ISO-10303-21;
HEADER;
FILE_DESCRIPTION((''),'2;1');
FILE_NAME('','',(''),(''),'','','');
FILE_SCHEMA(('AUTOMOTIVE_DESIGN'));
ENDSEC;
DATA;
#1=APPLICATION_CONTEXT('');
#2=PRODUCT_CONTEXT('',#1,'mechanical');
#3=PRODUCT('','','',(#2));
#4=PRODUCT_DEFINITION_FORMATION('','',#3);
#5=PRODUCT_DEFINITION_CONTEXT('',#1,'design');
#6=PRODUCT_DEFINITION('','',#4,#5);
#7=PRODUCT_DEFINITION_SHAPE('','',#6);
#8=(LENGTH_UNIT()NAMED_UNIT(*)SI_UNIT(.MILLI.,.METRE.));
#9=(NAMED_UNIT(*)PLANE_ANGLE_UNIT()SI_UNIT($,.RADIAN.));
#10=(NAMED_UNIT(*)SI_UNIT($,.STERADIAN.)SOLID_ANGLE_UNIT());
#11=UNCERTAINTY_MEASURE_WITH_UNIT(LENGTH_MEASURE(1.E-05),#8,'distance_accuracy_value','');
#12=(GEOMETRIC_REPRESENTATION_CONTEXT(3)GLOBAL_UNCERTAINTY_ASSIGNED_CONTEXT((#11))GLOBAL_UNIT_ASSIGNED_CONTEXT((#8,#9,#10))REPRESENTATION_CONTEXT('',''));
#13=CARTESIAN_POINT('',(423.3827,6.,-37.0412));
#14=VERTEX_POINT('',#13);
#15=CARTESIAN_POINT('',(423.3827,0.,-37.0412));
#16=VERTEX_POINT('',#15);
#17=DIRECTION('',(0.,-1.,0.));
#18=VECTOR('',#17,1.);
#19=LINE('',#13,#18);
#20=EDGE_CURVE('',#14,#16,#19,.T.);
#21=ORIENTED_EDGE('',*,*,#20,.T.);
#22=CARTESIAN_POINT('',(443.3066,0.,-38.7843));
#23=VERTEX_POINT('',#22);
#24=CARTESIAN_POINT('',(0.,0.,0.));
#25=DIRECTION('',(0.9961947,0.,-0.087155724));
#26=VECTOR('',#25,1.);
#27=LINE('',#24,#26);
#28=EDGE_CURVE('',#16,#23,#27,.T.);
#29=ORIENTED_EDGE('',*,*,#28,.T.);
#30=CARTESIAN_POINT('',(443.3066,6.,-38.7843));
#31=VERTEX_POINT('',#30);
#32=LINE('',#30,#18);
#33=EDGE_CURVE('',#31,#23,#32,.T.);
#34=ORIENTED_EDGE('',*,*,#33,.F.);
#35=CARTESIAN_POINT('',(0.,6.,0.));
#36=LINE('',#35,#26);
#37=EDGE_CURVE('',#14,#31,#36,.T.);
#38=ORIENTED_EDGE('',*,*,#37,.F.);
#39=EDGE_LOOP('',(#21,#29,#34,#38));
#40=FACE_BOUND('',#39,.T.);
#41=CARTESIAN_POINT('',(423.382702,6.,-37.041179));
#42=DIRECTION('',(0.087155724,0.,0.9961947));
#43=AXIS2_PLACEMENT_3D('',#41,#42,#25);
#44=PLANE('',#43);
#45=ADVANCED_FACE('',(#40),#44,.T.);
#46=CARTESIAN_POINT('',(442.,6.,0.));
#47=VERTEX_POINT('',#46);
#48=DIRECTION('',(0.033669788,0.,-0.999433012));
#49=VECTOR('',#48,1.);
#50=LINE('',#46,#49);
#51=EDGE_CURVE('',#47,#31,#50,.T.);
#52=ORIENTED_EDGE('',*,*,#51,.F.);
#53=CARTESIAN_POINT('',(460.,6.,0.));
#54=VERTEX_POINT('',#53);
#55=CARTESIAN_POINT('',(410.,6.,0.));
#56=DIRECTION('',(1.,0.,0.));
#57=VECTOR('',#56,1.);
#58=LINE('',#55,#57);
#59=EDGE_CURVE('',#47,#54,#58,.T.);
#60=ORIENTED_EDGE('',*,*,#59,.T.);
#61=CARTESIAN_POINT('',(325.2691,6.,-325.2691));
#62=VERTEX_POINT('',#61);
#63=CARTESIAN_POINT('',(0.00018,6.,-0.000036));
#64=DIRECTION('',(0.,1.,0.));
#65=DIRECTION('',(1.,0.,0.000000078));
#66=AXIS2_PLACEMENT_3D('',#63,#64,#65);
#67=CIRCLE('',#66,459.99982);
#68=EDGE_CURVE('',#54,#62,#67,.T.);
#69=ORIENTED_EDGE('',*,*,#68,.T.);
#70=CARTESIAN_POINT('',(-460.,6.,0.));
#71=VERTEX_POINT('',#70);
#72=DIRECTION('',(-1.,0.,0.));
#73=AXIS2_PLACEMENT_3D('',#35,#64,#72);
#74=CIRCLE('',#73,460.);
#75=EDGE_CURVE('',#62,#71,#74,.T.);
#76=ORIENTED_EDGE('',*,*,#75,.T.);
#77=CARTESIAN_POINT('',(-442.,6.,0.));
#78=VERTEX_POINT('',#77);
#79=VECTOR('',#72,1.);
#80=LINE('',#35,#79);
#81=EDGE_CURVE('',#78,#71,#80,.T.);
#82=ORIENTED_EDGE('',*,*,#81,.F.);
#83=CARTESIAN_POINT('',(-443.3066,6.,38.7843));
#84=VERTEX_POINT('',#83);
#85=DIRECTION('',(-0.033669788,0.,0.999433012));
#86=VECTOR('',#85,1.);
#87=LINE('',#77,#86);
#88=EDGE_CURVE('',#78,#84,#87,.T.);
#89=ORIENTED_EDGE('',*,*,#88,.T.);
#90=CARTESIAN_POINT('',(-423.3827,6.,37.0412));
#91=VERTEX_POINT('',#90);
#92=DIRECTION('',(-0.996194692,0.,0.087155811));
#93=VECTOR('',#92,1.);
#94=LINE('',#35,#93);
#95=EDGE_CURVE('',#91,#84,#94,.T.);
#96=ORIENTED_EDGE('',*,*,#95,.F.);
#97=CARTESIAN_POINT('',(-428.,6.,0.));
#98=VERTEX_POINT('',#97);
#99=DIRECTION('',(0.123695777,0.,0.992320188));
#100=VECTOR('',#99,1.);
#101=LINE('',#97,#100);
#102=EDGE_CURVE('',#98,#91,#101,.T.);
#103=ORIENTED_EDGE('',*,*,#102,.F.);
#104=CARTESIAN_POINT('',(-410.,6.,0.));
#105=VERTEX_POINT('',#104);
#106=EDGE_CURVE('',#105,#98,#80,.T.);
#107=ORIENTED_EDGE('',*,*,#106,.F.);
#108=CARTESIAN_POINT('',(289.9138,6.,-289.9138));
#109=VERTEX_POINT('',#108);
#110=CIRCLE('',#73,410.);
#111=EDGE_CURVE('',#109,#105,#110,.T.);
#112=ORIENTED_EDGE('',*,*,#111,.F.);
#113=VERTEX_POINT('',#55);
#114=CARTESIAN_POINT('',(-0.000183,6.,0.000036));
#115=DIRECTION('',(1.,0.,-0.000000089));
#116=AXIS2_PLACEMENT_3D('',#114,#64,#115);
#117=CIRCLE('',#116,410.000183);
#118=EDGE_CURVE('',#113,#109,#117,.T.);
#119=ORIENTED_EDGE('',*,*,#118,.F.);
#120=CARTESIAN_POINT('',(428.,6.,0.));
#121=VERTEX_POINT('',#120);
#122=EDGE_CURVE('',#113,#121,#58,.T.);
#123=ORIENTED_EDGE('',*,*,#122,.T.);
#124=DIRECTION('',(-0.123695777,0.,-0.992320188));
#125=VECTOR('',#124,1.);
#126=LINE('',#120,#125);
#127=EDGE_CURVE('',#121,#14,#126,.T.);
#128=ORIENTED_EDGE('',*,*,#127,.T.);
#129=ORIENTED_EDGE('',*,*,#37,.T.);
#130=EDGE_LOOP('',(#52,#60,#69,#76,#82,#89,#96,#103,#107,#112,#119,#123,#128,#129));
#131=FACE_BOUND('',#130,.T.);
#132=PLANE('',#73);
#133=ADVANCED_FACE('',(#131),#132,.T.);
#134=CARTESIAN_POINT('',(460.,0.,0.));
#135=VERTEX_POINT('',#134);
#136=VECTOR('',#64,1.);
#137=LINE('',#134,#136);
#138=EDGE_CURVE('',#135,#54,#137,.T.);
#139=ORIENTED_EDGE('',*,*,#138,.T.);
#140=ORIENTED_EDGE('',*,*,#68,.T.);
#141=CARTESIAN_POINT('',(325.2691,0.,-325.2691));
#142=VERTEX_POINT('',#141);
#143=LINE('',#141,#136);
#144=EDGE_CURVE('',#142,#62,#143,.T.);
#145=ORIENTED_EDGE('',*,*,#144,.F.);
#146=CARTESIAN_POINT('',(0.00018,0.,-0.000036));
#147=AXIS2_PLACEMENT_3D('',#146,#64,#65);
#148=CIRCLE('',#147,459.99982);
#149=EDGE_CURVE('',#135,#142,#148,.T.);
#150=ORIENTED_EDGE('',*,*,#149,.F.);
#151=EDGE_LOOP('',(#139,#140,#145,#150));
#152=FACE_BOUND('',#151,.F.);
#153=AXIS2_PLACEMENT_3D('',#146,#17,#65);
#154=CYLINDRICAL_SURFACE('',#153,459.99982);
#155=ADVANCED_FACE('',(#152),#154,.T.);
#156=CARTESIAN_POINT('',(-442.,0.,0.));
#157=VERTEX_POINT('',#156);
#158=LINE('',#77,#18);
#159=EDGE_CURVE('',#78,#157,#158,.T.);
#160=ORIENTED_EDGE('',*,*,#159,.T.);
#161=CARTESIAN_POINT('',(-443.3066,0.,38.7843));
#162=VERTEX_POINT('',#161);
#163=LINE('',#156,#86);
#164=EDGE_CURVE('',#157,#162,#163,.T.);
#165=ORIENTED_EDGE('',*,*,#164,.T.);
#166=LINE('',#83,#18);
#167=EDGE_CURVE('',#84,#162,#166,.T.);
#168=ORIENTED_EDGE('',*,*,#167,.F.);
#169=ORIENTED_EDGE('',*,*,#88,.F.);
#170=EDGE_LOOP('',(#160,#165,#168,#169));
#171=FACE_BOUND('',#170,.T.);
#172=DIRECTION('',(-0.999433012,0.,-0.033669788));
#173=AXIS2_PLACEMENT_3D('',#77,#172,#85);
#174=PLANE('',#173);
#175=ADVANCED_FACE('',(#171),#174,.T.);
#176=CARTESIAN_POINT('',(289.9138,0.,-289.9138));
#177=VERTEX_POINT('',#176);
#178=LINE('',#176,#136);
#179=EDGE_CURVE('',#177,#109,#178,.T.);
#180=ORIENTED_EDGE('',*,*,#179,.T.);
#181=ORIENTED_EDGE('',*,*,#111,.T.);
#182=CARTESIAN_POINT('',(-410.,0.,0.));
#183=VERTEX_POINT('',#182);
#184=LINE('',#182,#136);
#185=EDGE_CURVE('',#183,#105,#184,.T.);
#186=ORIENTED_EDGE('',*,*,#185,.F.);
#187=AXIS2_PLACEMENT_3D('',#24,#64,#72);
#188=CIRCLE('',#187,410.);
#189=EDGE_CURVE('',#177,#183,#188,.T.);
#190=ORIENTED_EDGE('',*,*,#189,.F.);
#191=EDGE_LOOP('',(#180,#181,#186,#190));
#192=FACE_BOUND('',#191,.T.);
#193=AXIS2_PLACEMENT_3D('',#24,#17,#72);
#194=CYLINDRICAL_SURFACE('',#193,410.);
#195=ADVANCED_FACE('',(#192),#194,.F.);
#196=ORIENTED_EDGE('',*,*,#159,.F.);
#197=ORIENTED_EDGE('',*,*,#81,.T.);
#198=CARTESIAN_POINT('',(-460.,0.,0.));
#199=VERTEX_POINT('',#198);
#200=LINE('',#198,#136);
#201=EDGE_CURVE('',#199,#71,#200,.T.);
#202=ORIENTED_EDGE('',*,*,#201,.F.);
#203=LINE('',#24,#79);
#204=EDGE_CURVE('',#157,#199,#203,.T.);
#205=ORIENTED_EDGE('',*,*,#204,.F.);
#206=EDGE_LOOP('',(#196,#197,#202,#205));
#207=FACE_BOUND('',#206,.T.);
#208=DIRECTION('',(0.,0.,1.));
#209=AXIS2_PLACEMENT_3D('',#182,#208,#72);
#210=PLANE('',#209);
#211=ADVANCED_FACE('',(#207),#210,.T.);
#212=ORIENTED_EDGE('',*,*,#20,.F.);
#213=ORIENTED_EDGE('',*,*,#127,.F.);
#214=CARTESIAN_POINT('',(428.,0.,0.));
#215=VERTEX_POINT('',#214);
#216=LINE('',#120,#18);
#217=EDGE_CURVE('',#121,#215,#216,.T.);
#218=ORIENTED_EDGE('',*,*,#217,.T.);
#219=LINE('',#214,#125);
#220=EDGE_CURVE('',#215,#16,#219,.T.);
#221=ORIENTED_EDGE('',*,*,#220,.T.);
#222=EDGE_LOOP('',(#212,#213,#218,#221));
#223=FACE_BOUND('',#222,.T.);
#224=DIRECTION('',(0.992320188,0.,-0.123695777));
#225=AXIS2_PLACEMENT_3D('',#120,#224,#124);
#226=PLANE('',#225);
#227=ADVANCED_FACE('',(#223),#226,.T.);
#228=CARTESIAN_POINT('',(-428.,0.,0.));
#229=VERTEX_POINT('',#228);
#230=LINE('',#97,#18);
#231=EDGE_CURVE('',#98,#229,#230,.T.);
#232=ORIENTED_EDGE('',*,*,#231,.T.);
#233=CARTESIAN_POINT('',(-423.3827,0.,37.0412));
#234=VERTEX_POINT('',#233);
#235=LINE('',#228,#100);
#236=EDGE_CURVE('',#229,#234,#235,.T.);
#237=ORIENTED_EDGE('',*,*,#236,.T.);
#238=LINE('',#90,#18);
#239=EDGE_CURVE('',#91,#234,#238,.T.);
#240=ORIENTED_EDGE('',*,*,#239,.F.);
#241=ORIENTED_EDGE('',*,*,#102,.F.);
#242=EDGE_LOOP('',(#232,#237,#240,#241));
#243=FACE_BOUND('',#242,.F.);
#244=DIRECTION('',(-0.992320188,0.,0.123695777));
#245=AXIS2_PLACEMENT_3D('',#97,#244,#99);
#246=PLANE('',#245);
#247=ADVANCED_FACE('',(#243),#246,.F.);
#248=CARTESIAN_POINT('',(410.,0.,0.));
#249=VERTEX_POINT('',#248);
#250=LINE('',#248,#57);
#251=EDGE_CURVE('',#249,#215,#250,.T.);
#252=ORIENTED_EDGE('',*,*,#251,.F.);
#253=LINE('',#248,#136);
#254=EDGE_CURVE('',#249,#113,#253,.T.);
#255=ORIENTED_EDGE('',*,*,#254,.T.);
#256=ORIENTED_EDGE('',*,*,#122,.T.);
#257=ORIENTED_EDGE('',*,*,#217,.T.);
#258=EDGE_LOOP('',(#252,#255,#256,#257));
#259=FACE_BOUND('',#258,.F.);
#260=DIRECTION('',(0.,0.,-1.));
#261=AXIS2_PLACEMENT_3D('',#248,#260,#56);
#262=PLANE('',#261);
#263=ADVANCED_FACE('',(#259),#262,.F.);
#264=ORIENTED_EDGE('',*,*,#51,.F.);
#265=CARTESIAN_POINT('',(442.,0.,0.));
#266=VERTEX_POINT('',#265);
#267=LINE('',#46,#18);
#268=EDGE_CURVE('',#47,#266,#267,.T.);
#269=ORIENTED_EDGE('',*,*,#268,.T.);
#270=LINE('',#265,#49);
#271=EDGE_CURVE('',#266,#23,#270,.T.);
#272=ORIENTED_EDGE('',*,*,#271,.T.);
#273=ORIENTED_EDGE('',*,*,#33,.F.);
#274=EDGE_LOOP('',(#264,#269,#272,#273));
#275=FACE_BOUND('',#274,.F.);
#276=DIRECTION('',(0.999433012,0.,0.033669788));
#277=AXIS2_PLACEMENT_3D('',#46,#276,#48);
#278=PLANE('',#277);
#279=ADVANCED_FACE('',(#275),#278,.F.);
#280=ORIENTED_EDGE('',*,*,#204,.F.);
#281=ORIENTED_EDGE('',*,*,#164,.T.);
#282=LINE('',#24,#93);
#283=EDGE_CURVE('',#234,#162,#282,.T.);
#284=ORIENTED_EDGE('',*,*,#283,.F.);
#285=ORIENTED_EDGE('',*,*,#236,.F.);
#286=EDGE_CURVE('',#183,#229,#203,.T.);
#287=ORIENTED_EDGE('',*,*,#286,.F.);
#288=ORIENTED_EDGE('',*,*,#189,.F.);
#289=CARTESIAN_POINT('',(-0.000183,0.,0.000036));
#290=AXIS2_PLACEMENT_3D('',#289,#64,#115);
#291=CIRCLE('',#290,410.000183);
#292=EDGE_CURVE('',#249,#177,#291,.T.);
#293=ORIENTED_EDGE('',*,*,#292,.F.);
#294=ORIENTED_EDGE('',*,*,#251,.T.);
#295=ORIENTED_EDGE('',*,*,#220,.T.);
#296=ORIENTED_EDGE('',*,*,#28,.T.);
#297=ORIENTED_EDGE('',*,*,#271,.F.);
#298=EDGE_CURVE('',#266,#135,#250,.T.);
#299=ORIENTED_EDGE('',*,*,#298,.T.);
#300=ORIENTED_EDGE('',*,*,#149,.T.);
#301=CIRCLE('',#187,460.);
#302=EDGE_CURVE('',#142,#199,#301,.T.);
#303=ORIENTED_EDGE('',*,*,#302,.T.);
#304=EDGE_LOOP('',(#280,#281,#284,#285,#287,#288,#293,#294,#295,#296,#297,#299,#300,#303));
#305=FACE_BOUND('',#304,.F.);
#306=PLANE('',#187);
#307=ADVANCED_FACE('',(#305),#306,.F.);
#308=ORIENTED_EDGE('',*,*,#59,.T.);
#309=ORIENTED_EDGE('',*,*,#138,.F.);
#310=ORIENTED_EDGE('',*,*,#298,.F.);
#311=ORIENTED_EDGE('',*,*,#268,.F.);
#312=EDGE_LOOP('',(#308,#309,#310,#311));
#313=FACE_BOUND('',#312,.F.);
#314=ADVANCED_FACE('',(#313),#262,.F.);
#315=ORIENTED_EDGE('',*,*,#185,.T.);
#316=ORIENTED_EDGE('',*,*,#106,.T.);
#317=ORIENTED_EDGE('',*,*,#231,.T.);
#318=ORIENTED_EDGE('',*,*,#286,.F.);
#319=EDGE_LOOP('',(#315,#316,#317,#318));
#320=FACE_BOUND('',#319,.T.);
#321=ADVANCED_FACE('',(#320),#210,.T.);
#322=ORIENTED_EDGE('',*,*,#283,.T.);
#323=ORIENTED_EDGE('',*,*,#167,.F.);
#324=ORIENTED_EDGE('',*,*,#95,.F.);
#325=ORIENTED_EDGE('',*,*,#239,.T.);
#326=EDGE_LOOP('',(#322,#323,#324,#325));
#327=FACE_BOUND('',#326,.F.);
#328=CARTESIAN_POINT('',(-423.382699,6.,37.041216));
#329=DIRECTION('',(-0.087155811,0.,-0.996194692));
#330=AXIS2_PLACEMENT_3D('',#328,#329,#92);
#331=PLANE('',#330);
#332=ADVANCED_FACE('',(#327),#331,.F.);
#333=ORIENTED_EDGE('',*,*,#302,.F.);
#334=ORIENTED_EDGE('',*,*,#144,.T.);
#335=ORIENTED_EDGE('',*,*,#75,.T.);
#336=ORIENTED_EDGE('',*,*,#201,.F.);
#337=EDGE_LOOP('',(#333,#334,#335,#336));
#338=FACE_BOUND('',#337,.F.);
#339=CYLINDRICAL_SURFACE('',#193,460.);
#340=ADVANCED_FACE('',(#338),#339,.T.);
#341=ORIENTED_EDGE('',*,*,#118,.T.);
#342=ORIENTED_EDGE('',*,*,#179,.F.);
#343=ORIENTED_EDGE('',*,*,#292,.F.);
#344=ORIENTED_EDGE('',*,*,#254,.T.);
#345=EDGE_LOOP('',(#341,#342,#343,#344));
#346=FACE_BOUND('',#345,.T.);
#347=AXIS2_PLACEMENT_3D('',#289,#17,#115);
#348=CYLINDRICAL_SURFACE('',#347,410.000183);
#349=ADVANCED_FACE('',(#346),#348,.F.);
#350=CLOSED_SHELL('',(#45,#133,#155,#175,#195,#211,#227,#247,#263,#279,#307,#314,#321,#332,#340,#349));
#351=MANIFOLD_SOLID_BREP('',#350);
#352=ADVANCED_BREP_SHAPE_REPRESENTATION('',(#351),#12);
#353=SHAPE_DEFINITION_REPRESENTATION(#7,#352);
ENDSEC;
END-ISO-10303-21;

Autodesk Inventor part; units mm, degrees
ref_plane "YZ Plane" through (0, 0, 0) normal (1, 0, 0) x (0, 1, 0)
ref_plane "XZ Plane" through (0, 0, 0) normal (0, 1, 0) x (-1, 0, 0)
ref_plane "XY Plane" through (0, 0, 0) normal (0, 0, 1) x (1, 0, 0)
sketch "Esboço1" plane through (0, 0, 0) normal (0, 1, 0) x (-1, 0, 0)
  arc A0 (-410, 0) -> (-289.9138, -289.9138) centre (0, 0) ccw
  arc A1 (-460, 0) -> (-325.2691, -325.2691) centre (0, 0) ccw
  circle A2 centre (0, 0) radius 460
  circle A3 centre (0, 0) radius 410
  line L0 (0, 0) -> (576.9105, 0)
  line L1 (0, 0) -> (-1224.3013, 0) construction
  line L2 (-410, 0) -> (-460, 0)
  point P0 (-460, 0)
  point P1 (-325.2691, -325.2691)
  point P2 (-289.9138, -289.9138)
  point P3 (-325.2691, -325.2691)
  point P4 (460, 0)
  point P5 (410, 0)
  point P6 (-289.9138, -289.9138)
  dimension "d27" = 820
  dimension "d28" = 920
  dimension "d87" = 180
extrude "Extrusão1" add sketch "Esboço1" along normal blind 6 contours A0 A3 L0 A2 A1 L2
sketch "Esboço6" plane through (0, 6, 0) normal (0, 1, 0) x (1, 0, 0)
  arc A0 (460, 0) -> (-460, 0) centre (0, 0) ccw projected
  circle A1 centre (0, 0) radius 460
  arc A2 (410, 0) -> (-410, 0) centre (0, 0) ccw projected
  circle A3 centre (0, 0) radius 410
  line L0 (0, 0) -> (743.005, 65.0045)
  line L1 (410, 0) -> (460, 0) projected
  line L2 (410, 0) -> (428, 0)
  line L3 (428, 0) -> (442, 0)
  line L4 (408.4398, 35.7339) -> (423.3827, 37.0412)
  line L5 (423.3827, 37.0412) -> (443.3066, 38.7843)
  line L6 (428, 0) -> (423.3827, 37.0412)
  line L7 (442, 0) -> (443.3066, 38.7843)
  point P0 (325.2691, 325.2691)
  point P1 (289.9138, 289.9138)
  dimension "d110" = -5
  dimension "d111" = 18
  dimension "d112" = 14
  dimension "d113" = 15
  dimension "d114" = 20
extrude "Extrusão6" cut sketch "Esboço6" against normal up to surface (6 mm away) contours L1 L6 L0 L7
sketch "Esboço8" plane through (0, 6, 0) normal (0, 1, 0) x (1, 0, 0)
  line L0 (0, 0) -> (-648.1086, -56.7022)
  line L1 (-460, 0) -> (-410, 0) projected
  arc A0 (460, 0) -> (-460, 0) centre (0, 0) ccw projected
  line L2 (-460, 0) -> (-442, 0)
  line L3 (-442, 0) -> (-428, 0)
  circle A1 centre (0, 0) radius 460
  circle A2 centre (0, 0) radius 410
  line L4 (-458.2496, -40.0916) -> (-443.3066, -38.7843)
  line L5 (-443.3066, -38.7843) -> (-423.3827, -37.0412)
  line L6 (-442, 0) -> (-443.3066, -38.7843)
  line L7 (-428, 0) -> (-423.3827, -37.0412)
  dimension "d137" = 5
  dimension "d138" = 18
  dimension "d139" = 14
  dimension "d140" = 15
  dimension "d141" = 20
extrude "Extrusão7" add sketch "Esboço8" against normal up to surface (6 mm away) contours L0 L6 L1 L7
equation "\"Raio_vergadura\" = Espessura"
equation "\"Largura_alívio_de_vergadura\" = Espessura"
equation "\"Profundidade_alívio_de_vergadura\" = 0.5 * Espessura"
equation "\"Tamanho_alívio_de_dobra\" = 4 * Espessura"
equation "\"Remanescente_mínimo\" = 2 * Espessura"
equation "\"Raiodetransição\" = Raio_vergadura"
equation "\"Tamanho_de_raio_de_Jacobi\" = Raio_vergadura"
equation "\"TamanhoFolga\" = Espessura"
equation "\"Espessura\" = 3.048"
properties part number "base"
